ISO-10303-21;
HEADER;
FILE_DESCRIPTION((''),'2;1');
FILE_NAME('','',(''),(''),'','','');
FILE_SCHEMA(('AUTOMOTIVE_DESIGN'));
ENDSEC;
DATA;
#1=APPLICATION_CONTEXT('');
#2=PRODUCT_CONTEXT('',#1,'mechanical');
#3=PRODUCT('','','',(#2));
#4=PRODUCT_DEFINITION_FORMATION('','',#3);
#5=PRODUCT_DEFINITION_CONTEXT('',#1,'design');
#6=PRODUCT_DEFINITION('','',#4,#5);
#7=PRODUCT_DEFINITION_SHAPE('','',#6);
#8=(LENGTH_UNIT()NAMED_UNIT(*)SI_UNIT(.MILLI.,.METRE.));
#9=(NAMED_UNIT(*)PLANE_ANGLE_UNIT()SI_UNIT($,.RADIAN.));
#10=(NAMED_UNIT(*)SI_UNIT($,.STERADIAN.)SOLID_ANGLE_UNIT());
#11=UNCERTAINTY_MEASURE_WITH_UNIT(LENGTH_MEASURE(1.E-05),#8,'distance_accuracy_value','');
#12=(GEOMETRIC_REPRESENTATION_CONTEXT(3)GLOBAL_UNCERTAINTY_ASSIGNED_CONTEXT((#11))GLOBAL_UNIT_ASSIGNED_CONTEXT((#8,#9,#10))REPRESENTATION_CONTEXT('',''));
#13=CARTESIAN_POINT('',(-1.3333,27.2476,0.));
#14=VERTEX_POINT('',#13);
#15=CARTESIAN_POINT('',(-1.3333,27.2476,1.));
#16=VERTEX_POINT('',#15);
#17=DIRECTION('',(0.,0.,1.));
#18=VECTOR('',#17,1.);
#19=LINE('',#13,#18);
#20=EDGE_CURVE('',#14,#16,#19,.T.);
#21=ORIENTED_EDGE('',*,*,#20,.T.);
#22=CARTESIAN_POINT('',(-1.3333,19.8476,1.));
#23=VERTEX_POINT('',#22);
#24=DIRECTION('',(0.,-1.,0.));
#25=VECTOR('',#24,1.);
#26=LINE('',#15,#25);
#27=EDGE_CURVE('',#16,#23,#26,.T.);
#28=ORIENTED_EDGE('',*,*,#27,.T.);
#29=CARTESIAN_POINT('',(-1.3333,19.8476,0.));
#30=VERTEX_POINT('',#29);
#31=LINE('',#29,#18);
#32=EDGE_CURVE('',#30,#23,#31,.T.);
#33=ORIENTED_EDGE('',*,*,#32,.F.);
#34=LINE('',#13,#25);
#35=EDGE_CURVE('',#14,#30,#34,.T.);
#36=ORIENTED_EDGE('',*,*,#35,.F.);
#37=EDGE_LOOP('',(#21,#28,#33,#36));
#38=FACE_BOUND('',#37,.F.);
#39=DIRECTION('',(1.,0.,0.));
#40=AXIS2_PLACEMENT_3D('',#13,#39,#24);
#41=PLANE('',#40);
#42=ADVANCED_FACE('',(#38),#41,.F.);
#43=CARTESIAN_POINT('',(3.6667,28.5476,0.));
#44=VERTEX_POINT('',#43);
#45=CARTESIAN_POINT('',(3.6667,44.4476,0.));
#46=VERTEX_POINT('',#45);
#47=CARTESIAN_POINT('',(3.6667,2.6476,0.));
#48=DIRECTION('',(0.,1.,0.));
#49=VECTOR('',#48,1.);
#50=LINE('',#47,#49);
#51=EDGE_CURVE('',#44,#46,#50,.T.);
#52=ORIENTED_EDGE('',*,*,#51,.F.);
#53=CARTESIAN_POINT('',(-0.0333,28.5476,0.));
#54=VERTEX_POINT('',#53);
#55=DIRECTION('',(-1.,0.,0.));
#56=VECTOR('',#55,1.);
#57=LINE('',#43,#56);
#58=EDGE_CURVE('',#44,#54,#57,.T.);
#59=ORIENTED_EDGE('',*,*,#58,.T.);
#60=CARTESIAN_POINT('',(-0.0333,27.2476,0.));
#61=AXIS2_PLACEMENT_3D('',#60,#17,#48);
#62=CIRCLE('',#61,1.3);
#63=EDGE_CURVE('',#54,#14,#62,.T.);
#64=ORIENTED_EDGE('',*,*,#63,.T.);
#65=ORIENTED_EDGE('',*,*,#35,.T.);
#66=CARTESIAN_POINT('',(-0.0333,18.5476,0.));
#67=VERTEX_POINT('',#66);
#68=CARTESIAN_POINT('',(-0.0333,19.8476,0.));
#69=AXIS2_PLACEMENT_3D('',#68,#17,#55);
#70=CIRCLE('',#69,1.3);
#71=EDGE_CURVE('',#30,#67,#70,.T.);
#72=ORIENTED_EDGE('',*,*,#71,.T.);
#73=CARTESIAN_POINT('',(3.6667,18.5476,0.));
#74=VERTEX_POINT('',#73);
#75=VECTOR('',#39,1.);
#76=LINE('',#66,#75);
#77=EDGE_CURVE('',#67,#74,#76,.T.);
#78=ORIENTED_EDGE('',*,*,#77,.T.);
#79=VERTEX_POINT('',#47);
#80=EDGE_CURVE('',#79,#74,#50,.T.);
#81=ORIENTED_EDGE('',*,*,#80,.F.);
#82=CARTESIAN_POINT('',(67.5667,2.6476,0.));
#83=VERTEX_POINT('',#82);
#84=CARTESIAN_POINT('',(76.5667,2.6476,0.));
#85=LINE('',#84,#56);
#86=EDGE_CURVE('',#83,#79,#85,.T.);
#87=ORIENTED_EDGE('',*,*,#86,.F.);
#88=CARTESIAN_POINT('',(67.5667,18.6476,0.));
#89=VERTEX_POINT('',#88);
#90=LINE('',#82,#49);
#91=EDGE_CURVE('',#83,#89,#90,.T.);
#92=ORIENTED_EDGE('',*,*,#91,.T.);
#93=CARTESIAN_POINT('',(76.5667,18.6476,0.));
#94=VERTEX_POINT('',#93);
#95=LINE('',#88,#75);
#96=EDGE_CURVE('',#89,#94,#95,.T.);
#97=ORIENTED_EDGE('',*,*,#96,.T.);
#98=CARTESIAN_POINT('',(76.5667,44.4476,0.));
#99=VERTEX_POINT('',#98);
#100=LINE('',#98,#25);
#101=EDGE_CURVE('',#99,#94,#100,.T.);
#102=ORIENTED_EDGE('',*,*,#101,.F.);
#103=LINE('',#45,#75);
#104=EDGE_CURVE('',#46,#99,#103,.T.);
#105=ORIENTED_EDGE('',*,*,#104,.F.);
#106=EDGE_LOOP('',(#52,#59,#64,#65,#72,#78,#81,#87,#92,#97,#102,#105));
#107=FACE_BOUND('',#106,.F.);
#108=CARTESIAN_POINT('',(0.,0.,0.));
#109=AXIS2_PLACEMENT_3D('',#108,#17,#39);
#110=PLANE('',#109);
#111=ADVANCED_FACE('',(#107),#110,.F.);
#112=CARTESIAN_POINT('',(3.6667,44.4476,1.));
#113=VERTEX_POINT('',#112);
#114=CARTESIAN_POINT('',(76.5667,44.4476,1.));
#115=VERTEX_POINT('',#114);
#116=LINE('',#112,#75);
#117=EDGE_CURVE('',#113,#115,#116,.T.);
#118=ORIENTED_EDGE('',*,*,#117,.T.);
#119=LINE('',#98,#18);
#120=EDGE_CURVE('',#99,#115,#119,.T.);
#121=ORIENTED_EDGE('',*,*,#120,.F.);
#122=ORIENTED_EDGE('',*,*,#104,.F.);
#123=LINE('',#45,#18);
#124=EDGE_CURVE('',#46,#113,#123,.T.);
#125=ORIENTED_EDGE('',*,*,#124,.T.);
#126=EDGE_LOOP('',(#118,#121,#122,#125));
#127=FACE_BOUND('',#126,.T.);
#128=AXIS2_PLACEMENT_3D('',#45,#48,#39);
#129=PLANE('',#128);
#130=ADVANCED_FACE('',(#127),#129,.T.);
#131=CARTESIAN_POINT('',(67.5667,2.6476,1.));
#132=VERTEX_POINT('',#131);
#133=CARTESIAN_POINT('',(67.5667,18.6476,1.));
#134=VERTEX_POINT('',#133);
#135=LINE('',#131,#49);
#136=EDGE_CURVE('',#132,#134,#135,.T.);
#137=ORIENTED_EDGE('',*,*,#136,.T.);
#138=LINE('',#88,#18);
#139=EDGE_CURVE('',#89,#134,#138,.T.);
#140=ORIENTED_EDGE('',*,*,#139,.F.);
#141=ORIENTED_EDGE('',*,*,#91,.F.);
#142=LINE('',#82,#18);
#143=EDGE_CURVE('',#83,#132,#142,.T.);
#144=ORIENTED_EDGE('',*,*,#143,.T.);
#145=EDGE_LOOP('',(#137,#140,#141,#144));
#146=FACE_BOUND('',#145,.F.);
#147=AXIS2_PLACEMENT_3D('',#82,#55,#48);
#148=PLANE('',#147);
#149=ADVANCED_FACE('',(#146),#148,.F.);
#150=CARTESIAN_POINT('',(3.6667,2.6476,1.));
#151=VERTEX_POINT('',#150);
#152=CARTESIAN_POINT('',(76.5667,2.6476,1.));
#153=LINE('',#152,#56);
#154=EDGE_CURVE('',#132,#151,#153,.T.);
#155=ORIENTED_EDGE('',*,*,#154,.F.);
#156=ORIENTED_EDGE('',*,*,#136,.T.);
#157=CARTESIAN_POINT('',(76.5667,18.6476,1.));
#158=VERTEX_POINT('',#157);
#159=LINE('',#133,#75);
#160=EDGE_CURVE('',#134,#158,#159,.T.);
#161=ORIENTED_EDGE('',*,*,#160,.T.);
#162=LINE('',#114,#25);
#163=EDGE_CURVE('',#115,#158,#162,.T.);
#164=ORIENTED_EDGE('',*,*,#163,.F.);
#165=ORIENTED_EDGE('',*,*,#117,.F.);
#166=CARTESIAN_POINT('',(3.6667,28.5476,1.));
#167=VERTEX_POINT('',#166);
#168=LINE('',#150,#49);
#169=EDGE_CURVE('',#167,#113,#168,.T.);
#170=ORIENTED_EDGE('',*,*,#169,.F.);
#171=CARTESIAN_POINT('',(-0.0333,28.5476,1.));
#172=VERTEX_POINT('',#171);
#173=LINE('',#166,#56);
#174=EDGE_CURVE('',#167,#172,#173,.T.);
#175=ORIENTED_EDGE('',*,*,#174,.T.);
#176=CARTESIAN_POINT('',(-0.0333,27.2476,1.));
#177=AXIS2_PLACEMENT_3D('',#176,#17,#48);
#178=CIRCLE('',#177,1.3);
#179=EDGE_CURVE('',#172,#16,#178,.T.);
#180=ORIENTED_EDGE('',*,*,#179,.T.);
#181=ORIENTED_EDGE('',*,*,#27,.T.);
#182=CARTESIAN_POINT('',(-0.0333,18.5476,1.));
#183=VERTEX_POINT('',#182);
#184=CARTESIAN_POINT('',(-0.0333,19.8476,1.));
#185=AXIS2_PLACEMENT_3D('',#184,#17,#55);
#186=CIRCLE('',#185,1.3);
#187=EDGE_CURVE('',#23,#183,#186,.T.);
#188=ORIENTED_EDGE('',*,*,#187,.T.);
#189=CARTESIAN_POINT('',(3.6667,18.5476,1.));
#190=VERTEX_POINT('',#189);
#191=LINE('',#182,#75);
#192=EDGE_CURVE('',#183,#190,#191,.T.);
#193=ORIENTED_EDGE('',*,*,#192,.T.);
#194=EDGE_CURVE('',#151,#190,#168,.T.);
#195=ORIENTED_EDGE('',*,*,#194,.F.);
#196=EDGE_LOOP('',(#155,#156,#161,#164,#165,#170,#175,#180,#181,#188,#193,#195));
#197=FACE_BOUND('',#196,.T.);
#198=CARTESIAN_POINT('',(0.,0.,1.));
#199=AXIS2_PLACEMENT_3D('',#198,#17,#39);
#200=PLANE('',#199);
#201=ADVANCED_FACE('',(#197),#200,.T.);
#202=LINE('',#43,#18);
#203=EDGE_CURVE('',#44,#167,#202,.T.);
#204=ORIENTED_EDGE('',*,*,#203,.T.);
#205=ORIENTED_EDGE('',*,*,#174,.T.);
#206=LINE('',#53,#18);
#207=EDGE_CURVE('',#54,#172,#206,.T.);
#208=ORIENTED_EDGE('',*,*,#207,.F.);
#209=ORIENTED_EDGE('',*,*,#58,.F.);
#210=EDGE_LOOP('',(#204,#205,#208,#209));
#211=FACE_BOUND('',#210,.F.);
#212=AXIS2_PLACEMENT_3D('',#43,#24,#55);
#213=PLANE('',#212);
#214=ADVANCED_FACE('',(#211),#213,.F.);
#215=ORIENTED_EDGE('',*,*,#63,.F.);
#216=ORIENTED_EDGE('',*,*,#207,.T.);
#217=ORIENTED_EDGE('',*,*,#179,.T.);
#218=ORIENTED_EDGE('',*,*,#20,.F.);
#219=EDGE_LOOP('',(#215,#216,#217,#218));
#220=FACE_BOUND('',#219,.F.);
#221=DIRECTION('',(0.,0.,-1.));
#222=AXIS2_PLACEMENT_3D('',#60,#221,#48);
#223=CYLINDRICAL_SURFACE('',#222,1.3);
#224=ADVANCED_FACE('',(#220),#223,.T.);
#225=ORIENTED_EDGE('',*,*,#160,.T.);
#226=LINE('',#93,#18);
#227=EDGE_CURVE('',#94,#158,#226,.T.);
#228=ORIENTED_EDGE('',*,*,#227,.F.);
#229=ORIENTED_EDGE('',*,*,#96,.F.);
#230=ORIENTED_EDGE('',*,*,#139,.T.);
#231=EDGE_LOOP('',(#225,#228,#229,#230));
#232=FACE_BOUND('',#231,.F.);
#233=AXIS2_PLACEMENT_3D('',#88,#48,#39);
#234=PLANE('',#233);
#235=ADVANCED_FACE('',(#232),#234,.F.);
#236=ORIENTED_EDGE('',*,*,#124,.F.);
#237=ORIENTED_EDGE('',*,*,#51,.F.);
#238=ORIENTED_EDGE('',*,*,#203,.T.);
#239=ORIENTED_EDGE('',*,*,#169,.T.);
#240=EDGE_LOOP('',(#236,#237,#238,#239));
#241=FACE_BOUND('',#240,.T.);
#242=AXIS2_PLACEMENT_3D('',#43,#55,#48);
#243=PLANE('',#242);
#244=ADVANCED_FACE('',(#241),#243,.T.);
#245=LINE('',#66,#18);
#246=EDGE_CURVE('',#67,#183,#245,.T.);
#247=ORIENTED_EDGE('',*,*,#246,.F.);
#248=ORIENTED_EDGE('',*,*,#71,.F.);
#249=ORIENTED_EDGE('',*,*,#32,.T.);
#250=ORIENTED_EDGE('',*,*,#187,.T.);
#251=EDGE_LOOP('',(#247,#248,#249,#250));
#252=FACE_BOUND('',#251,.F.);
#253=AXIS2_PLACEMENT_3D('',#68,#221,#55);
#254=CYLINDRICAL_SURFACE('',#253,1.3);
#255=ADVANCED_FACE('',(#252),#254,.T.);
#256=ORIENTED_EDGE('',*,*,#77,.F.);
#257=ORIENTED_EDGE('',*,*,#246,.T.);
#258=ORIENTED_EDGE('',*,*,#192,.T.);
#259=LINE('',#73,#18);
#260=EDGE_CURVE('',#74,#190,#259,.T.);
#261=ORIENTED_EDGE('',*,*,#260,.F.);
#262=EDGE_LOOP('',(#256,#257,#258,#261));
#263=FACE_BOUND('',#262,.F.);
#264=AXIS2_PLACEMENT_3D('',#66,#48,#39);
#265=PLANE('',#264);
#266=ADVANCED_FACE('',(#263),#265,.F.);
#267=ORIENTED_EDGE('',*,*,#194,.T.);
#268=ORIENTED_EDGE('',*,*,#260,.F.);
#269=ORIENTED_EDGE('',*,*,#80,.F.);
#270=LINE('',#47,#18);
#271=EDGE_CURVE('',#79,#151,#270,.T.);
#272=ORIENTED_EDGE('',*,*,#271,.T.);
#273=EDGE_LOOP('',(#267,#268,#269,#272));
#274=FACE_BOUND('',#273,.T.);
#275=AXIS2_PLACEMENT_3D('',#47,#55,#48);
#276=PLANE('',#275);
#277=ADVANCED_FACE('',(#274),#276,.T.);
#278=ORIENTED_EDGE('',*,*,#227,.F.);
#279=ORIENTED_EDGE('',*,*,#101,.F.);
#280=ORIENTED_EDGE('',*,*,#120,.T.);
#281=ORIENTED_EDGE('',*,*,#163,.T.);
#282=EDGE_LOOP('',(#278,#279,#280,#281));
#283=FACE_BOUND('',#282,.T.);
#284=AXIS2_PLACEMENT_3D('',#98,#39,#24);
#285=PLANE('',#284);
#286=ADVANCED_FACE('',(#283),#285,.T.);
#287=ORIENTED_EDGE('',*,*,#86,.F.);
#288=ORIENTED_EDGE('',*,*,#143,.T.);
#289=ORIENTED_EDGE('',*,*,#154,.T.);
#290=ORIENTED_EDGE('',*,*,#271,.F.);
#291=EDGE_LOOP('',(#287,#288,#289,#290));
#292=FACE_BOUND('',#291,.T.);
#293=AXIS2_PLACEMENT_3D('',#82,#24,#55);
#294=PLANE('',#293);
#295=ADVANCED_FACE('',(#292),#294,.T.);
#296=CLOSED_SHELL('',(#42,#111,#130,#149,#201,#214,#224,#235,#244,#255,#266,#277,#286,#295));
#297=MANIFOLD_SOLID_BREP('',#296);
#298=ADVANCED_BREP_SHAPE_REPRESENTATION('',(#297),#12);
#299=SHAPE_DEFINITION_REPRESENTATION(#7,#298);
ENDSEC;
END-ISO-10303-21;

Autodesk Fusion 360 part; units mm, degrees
sketch "Sketch1" plane through (0, 0, 0) normal (0, 0, 1) x (1, 0, 0)
  line L0 (3.6667, 44.4476) -> (76.5667, 44.4476)
  line L1 (76.5667, 44.4476) -> (76.5667, 2.6476)
  line L2 (76.5667, 2.6476) -> (3.6667, 2.6476)
  line L3 (3.6667, 2.6476) -> (3.6667, 44.4476)
  line L4 (3.6667, 23.5476) -> (76.5667, 23.5476) construction
  line L5 (3.6667, 28.5476) -> (-0.0333, 28.5476)
  line L6 (-1.3333, 27.2476) -> (-1.3333, 19.8476)
  line L7 (-0.0333, 18.5476) -> (3.6667, 18.5476)
  line L8 (3.6667, 18.5476) -> (3.6667, 28.5476)
  arc A0 (-0.0333, 28.5476) -> (-1.3333, 27.2476) centre (-0.0333, 27.2476) ccw
  arc A1 (-1.3333, 19.8476) -> (-0.0333, 18.5476) centre (-0.0333, 19.8476) ccw
  line L9 (76.5667, 2.6476) -> (67.5667, 2.6476)
  line L10 (67.5667, 2.6476) -> (67.5667, 18.6476)
  line L11 (67.5667, 18.6476) -> (76.5667, 18.6476)
  line L12 (76.5667, 18.6476) -> (76.5667, 2.6476)
  point P0 (-1.3333, 28.5476)
  point P1 (-1.3333, 18.5476)
  dimension "d1" = 72.9
  dimension "d2" = 41.8
  dimension "d7" = 10
  dimension "d8" = 5
  dimension "d9" = 1.3
  dimension "d10" = 16
  dimension "d11" = 9
extrude "Extrude1" add sketch "Sketch1" along normal blind 1 contours L0 L1 L2 L3 L8 L10 L11 | L3 L5 L6 L7 L8 A0 A1
